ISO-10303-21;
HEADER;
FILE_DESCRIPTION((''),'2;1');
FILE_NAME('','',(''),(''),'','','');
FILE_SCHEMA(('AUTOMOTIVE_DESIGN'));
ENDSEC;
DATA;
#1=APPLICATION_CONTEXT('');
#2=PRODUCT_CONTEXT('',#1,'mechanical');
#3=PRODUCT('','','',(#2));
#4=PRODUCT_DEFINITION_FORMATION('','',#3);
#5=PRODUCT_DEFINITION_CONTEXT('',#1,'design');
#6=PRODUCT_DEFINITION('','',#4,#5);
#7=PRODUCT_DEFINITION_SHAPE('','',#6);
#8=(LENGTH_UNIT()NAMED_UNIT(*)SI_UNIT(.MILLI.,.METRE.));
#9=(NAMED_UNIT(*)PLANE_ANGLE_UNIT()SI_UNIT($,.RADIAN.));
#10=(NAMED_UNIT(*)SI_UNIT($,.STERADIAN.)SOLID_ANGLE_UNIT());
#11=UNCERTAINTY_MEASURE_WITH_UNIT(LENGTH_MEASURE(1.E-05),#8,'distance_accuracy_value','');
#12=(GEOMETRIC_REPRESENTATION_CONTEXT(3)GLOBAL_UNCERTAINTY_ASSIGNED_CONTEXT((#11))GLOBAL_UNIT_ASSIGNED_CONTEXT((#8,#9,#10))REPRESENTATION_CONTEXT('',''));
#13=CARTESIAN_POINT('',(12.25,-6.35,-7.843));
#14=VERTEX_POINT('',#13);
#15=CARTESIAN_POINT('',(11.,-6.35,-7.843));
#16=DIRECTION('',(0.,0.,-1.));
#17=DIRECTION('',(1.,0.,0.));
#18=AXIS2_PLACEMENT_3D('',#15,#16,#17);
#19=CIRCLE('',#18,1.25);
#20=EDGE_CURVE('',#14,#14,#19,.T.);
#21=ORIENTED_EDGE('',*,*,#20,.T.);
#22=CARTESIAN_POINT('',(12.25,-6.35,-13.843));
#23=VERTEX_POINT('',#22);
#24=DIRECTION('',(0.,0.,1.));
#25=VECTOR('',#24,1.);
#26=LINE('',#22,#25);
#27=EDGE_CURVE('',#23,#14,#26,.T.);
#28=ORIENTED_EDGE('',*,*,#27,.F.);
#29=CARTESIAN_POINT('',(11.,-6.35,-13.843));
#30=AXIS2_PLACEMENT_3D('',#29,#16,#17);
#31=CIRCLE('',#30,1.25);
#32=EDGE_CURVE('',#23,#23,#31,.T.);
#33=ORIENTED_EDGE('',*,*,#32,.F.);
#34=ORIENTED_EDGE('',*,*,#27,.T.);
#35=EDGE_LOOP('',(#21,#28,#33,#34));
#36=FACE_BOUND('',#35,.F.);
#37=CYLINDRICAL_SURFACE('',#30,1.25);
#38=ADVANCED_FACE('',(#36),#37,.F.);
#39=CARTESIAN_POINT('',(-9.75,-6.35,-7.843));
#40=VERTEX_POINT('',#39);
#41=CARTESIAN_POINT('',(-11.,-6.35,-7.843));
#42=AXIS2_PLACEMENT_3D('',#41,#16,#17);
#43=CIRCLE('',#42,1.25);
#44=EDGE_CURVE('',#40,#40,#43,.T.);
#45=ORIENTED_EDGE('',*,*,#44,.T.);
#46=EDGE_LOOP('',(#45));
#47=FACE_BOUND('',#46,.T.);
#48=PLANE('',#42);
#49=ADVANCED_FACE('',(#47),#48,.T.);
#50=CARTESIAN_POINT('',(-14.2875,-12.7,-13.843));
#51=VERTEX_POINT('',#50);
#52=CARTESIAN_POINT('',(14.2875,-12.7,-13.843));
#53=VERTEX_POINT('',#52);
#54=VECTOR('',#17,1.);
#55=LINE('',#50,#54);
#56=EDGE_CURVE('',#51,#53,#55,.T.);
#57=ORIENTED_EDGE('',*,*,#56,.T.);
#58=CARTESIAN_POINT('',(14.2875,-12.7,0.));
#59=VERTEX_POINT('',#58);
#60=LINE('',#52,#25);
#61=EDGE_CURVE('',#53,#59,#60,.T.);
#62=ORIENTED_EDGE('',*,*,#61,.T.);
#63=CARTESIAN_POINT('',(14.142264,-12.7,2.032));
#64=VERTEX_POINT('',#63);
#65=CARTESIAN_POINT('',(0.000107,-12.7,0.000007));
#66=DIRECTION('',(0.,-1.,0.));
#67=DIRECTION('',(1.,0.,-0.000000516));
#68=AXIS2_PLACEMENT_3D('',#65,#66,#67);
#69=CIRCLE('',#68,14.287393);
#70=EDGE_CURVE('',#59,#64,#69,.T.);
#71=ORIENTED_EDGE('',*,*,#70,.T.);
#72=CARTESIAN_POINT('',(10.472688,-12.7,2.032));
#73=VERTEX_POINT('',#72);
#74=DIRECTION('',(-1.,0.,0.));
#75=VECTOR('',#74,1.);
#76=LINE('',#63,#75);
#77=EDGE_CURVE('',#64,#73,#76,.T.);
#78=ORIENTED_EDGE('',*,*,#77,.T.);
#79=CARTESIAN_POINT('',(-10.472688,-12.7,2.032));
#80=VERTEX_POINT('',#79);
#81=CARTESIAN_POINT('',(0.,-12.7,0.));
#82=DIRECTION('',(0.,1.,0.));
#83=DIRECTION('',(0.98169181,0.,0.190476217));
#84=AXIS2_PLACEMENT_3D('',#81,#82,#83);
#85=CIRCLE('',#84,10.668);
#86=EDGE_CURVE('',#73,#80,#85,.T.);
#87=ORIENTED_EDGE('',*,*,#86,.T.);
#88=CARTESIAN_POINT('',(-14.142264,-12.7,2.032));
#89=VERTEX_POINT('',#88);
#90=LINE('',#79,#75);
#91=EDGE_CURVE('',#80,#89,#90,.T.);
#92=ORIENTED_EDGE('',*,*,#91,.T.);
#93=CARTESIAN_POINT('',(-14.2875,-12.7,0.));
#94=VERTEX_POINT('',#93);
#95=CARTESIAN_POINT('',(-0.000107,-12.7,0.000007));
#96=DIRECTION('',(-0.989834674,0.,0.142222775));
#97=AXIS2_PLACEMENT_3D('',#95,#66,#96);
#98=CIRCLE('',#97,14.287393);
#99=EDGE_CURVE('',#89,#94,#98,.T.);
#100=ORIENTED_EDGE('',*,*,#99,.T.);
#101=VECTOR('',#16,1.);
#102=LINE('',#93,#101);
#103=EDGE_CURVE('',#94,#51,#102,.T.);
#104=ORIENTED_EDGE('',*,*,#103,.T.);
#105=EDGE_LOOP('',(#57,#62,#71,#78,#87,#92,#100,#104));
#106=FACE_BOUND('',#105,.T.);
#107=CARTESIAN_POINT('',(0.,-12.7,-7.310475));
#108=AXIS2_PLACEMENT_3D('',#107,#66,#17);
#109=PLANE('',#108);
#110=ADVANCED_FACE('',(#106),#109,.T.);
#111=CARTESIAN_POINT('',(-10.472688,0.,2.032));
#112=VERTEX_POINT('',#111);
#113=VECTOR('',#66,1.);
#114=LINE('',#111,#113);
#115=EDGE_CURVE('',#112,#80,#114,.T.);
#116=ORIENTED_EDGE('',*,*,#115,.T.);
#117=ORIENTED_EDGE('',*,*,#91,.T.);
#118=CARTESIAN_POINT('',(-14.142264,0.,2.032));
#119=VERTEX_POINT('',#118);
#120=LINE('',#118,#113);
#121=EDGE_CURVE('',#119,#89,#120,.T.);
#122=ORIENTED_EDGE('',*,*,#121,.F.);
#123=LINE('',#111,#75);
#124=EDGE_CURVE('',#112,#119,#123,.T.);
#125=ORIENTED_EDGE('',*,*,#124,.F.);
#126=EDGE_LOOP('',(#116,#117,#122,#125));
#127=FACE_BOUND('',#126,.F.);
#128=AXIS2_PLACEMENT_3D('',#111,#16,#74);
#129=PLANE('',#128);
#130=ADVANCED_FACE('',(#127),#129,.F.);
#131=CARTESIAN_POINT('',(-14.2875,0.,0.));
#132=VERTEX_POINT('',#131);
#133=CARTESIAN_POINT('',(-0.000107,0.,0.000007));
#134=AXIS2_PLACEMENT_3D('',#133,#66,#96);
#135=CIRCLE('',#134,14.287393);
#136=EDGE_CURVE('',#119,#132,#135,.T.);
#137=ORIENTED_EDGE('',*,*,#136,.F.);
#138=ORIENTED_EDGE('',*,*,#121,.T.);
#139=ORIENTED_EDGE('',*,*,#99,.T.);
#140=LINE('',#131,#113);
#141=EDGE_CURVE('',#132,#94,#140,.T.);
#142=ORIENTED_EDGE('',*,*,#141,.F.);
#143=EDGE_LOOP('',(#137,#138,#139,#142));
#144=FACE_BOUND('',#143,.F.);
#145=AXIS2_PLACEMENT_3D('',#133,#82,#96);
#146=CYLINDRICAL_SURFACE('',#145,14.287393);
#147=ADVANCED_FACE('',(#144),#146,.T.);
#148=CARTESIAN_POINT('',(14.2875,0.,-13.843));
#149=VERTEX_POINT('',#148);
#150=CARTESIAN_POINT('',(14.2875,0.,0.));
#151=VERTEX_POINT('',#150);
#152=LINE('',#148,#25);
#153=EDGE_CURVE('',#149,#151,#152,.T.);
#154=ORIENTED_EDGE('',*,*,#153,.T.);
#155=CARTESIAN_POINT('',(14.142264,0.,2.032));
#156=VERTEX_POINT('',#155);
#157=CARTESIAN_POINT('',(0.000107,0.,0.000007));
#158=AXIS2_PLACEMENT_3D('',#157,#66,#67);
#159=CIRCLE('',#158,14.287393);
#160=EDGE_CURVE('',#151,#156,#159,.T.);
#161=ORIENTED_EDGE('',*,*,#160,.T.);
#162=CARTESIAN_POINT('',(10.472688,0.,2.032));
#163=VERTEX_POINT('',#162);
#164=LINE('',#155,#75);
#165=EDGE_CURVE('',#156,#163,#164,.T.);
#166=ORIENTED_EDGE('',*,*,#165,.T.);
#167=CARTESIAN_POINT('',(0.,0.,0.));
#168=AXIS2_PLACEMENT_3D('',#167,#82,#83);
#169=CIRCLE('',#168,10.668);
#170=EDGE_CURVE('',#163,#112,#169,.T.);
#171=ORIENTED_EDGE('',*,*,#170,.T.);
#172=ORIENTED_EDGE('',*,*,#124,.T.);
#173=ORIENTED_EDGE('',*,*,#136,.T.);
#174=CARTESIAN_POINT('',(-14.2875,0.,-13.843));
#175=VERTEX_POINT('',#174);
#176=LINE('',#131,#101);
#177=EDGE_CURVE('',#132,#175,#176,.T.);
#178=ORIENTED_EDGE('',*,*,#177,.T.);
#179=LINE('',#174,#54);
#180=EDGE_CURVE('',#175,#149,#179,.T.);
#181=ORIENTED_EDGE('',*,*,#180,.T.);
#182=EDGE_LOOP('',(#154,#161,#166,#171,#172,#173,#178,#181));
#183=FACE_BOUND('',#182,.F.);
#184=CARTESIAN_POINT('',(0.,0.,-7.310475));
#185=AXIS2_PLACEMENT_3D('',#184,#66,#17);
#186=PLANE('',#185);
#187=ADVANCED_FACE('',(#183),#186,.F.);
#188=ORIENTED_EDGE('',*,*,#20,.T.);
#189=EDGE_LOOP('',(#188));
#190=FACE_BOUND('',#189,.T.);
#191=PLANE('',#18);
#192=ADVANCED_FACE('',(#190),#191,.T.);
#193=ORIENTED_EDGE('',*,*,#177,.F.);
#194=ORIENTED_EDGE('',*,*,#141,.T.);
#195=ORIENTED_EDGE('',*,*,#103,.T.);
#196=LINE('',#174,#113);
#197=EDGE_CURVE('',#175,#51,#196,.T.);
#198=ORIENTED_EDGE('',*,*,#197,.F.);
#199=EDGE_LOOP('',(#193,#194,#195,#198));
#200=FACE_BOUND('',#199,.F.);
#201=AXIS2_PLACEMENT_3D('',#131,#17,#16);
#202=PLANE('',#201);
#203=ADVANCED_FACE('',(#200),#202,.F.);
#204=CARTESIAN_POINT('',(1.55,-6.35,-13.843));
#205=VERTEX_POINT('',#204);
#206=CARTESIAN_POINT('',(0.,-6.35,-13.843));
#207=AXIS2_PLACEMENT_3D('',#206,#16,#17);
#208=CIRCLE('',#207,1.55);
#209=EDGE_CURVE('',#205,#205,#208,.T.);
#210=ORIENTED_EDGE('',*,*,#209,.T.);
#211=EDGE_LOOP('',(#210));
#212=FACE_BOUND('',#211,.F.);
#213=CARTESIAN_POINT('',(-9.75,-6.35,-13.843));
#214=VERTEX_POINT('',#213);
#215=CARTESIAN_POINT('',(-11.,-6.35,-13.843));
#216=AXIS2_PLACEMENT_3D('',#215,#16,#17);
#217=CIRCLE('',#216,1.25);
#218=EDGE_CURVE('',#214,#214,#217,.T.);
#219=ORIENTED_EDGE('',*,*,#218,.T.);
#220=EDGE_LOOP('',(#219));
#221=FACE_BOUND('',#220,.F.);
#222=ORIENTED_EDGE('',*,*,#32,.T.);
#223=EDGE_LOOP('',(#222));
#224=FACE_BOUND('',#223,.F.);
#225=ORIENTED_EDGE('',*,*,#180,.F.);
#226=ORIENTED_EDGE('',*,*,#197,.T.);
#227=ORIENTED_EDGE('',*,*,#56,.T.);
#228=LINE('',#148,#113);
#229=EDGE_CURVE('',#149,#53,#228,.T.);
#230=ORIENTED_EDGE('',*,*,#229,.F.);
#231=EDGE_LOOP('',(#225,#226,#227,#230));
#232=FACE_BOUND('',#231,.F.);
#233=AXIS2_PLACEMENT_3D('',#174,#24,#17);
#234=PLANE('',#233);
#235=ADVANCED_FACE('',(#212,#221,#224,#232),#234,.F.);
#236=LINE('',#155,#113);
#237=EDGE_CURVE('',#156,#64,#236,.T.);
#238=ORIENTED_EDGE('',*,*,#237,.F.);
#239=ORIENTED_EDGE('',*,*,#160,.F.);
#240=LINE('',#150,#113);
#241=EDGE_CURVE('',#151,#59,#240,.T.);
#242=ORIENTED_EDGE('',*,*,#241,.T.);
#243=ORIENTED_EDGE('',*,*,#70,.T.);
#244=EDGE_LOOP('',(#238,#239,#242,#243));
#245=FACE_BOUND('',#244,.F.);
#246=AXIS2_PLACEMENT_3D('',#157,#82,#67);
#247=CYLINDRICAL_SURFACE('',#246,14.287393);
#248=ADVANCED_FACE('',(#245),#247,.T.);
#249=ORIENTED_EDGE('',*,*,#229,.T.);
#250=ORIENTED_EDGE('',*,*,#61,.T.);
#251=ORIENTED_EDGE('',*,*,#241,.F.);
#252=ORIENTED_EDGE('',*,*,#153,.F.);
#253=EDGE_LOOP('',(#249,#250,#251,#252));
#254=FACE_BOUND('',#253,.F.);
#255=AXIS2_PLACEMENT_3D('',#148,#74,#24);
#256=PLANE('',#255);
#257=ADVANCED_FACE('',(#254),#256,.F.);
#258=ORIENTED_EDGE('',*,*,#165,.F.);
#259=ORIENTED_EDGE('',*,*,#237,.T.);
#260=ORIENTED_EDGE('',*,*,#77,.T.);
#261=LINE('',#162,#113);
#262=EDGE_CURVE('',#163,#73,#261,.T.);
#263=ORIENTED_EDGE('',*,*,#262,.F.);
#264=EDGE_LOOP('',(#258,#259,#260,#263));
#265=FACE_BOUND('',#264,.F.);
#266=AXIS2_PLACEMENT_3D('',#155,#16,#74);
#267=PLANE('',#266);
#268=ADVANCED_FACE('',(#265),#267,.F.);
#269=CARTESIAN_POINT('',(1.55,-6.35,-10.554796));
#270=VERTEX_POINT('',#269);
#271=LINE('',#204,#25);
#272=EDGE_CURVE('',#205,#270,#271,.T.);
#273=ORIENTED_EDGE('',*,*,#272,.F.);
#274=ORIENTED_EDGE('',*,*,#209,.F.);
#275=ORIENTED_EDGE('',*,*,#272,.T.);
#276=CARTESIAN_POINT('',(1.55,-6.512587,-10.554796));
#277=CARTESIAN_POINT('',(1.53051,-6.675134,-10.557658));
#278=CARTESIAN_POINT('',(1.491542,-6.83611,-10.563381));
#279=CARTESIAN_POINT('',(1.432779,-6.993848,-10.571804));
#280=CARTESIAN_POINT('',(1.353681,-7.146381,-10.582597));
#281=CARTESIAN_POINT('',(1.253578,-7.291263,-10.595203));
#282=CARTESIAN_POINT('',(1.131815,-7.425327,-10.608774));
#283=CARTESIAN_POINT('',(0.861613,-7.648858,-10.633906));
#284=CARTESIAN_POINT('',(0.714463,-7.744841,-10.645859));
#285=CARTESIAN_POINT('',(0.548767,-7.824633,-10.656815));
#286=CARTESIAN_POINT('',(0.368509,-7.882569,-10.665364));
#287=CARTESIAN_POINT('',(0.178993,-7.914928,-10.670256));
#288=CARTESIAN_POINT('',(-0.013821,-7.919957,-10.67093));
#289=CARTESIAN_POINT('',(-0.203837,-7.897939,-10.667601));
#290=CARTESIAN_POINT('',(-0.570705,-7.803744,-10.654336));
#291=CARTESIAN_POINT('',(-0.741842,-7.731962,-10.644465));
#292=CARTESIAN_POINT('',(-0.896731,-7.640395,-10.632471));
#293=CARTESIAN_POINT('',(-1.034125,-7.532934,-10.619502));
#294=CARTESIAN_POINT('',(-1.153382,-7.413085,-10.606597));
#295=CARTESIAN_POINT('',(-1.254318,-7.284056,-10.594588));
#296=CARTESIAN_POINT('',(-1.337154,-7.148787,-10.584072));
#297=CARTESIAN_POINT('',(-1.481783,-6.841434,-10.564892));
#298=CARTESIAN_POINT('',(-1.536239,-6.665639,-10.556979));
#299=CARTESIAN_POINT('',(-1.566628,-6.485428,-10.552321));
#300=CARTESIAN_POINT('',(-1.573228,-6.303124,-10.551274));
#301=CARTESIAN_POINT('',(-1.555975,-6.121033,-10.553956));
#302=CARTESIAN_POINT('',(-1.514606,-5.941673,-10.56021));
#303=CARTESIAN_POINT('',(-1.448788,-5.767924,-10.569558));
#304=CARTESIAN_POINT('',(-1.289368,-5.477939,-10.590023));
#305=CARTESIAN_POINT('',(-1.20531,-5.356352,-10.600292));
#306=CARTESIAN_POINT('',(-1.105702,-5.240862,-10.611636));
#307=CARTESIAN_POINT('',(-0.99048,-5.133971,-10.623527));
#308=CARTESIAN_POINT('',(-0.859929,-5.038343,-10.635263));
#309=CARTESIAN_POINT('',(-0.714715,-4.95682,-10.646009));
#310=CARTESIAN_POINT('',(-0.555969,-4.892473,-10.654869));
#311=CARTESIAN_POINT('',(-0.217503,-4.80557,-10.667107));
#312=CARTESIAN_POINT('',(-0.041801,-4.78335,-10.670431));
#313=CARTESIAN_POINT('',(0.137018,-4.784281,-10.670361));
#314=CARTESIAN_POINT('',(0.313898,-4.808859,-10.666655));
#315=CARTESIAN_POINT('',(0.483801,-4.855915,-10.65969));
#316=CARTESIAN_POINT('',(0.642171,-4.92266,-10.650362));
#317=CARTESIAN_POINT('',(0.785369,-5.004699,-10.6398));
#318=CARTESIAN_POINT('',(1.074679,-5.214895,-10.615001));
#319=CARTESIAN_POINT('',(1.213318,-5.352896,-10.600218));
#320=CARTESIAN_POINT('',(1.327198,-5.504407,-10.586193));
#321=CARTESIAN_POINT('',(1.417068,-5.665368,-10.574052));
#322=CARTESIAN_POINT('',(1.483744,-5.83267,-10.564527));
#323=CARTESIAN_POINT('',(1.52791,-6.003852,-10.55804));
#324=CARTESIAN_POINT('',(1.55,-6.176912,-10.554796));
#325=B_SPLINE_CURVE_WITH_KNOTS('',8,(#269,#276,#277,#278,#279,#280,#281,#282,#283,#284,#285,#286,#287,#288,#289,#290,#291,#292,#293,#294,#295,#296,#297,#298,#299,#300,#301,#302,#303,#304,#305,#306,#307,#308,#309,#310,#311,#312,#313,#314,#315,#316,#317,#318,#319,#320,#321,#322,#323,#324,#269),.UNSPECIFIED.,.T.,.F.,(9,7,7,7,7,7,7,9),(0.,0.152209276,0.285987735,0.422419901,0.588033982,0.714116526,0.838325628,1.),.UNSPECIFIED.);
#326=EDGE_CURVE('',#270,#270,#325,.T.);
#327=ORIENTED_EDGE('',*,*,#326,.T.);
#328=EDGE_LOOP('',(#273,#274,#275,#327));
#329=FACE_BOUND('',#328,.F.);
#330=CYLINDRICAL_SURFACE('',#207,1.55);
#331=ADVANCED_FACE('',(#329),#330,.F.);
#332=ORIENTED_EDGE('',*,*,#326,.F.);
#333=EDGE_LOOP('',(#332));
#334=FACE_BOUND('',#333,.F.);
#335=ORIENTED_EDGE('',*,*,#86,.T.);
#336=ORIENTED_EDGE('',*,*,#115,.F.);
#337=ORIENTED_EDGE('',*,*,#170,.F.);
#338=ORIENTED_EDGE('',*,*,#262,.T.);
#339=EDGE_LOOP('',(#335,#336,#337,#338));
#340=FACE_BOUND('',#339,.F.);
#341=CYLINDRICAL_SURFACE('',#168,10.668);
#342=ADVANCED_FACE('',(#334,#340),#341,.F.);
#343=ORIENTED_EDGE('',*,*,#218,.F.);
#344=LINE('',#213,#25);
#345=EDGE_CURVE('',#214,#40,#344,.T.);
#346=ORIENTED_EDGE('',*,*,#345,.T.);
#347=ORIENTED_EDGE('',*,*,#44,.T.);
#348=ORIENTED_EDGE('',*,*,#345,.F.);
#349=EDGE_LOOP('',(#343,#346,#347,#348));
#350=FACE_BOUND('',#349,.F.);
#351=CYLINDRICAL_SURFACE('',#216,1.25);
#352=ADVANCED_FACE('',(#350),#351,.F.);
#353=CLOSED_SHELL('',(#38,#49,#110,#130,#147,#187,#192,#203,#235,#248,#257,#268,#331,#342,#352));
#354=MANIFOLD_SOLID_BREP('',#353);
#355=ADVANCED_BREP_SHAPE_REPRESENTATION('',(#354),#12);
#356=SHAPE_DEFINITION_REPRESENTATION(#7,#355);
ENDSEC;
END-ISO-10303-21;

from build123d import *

# Parameters (mm, degrees)
F1_DEPTH = 12.7
F2_R     = 1.25
F2_R_2   = 1.55
F3_DEPTH = 6


with BuildPart() as f1:
    # F0 (on Front) → F1 (new body)
    with BuildSketch(Plane.XZ):
        with BuildLine():
            ThreePointArc((10.472688, 2.032), (0, -10.668), (-10.472688, 2.032))
            Line((-10.472688, 2.032), (-14.142264, 2.032))
            ThreePointArc((-14.142264, 2.032), (-14.251145, 1.018592), (-14.2875, 0))
            Line((-14.2875, 0), (-14.2875, -13.843))
            Line((-14.2875, -13.843), (14.2875, -13.843))
            Line((14.2875, -13.843), (14.2875, 0))
            ThreePointArc((14.2875, 0), (14.251145, 1.018592), (14.142264, 2.032))
            Line((14.142264, 2.032), (10.472688, 2.032))
        make_face()
    extrude(amount=F1_DEPTH)

    # F2 (on face) → F3 (cut)
    with BuildSketch(Plane(origin=(0, 0, -13.843), x_dir=(1, 0, 0), z_dir=(0, 0, -1))):
        with Locations((-11, 6.35)):
            Circle(F2_R)
        with Locations((11, 6.35)):
            Circle(F2_R)
        with Locations((0, 6.35)):
            Circle(F2_R_2)
    extrude(amount=-F3_DEPTH, mode=Mode.SUBTRACT)


solid = f1.part
